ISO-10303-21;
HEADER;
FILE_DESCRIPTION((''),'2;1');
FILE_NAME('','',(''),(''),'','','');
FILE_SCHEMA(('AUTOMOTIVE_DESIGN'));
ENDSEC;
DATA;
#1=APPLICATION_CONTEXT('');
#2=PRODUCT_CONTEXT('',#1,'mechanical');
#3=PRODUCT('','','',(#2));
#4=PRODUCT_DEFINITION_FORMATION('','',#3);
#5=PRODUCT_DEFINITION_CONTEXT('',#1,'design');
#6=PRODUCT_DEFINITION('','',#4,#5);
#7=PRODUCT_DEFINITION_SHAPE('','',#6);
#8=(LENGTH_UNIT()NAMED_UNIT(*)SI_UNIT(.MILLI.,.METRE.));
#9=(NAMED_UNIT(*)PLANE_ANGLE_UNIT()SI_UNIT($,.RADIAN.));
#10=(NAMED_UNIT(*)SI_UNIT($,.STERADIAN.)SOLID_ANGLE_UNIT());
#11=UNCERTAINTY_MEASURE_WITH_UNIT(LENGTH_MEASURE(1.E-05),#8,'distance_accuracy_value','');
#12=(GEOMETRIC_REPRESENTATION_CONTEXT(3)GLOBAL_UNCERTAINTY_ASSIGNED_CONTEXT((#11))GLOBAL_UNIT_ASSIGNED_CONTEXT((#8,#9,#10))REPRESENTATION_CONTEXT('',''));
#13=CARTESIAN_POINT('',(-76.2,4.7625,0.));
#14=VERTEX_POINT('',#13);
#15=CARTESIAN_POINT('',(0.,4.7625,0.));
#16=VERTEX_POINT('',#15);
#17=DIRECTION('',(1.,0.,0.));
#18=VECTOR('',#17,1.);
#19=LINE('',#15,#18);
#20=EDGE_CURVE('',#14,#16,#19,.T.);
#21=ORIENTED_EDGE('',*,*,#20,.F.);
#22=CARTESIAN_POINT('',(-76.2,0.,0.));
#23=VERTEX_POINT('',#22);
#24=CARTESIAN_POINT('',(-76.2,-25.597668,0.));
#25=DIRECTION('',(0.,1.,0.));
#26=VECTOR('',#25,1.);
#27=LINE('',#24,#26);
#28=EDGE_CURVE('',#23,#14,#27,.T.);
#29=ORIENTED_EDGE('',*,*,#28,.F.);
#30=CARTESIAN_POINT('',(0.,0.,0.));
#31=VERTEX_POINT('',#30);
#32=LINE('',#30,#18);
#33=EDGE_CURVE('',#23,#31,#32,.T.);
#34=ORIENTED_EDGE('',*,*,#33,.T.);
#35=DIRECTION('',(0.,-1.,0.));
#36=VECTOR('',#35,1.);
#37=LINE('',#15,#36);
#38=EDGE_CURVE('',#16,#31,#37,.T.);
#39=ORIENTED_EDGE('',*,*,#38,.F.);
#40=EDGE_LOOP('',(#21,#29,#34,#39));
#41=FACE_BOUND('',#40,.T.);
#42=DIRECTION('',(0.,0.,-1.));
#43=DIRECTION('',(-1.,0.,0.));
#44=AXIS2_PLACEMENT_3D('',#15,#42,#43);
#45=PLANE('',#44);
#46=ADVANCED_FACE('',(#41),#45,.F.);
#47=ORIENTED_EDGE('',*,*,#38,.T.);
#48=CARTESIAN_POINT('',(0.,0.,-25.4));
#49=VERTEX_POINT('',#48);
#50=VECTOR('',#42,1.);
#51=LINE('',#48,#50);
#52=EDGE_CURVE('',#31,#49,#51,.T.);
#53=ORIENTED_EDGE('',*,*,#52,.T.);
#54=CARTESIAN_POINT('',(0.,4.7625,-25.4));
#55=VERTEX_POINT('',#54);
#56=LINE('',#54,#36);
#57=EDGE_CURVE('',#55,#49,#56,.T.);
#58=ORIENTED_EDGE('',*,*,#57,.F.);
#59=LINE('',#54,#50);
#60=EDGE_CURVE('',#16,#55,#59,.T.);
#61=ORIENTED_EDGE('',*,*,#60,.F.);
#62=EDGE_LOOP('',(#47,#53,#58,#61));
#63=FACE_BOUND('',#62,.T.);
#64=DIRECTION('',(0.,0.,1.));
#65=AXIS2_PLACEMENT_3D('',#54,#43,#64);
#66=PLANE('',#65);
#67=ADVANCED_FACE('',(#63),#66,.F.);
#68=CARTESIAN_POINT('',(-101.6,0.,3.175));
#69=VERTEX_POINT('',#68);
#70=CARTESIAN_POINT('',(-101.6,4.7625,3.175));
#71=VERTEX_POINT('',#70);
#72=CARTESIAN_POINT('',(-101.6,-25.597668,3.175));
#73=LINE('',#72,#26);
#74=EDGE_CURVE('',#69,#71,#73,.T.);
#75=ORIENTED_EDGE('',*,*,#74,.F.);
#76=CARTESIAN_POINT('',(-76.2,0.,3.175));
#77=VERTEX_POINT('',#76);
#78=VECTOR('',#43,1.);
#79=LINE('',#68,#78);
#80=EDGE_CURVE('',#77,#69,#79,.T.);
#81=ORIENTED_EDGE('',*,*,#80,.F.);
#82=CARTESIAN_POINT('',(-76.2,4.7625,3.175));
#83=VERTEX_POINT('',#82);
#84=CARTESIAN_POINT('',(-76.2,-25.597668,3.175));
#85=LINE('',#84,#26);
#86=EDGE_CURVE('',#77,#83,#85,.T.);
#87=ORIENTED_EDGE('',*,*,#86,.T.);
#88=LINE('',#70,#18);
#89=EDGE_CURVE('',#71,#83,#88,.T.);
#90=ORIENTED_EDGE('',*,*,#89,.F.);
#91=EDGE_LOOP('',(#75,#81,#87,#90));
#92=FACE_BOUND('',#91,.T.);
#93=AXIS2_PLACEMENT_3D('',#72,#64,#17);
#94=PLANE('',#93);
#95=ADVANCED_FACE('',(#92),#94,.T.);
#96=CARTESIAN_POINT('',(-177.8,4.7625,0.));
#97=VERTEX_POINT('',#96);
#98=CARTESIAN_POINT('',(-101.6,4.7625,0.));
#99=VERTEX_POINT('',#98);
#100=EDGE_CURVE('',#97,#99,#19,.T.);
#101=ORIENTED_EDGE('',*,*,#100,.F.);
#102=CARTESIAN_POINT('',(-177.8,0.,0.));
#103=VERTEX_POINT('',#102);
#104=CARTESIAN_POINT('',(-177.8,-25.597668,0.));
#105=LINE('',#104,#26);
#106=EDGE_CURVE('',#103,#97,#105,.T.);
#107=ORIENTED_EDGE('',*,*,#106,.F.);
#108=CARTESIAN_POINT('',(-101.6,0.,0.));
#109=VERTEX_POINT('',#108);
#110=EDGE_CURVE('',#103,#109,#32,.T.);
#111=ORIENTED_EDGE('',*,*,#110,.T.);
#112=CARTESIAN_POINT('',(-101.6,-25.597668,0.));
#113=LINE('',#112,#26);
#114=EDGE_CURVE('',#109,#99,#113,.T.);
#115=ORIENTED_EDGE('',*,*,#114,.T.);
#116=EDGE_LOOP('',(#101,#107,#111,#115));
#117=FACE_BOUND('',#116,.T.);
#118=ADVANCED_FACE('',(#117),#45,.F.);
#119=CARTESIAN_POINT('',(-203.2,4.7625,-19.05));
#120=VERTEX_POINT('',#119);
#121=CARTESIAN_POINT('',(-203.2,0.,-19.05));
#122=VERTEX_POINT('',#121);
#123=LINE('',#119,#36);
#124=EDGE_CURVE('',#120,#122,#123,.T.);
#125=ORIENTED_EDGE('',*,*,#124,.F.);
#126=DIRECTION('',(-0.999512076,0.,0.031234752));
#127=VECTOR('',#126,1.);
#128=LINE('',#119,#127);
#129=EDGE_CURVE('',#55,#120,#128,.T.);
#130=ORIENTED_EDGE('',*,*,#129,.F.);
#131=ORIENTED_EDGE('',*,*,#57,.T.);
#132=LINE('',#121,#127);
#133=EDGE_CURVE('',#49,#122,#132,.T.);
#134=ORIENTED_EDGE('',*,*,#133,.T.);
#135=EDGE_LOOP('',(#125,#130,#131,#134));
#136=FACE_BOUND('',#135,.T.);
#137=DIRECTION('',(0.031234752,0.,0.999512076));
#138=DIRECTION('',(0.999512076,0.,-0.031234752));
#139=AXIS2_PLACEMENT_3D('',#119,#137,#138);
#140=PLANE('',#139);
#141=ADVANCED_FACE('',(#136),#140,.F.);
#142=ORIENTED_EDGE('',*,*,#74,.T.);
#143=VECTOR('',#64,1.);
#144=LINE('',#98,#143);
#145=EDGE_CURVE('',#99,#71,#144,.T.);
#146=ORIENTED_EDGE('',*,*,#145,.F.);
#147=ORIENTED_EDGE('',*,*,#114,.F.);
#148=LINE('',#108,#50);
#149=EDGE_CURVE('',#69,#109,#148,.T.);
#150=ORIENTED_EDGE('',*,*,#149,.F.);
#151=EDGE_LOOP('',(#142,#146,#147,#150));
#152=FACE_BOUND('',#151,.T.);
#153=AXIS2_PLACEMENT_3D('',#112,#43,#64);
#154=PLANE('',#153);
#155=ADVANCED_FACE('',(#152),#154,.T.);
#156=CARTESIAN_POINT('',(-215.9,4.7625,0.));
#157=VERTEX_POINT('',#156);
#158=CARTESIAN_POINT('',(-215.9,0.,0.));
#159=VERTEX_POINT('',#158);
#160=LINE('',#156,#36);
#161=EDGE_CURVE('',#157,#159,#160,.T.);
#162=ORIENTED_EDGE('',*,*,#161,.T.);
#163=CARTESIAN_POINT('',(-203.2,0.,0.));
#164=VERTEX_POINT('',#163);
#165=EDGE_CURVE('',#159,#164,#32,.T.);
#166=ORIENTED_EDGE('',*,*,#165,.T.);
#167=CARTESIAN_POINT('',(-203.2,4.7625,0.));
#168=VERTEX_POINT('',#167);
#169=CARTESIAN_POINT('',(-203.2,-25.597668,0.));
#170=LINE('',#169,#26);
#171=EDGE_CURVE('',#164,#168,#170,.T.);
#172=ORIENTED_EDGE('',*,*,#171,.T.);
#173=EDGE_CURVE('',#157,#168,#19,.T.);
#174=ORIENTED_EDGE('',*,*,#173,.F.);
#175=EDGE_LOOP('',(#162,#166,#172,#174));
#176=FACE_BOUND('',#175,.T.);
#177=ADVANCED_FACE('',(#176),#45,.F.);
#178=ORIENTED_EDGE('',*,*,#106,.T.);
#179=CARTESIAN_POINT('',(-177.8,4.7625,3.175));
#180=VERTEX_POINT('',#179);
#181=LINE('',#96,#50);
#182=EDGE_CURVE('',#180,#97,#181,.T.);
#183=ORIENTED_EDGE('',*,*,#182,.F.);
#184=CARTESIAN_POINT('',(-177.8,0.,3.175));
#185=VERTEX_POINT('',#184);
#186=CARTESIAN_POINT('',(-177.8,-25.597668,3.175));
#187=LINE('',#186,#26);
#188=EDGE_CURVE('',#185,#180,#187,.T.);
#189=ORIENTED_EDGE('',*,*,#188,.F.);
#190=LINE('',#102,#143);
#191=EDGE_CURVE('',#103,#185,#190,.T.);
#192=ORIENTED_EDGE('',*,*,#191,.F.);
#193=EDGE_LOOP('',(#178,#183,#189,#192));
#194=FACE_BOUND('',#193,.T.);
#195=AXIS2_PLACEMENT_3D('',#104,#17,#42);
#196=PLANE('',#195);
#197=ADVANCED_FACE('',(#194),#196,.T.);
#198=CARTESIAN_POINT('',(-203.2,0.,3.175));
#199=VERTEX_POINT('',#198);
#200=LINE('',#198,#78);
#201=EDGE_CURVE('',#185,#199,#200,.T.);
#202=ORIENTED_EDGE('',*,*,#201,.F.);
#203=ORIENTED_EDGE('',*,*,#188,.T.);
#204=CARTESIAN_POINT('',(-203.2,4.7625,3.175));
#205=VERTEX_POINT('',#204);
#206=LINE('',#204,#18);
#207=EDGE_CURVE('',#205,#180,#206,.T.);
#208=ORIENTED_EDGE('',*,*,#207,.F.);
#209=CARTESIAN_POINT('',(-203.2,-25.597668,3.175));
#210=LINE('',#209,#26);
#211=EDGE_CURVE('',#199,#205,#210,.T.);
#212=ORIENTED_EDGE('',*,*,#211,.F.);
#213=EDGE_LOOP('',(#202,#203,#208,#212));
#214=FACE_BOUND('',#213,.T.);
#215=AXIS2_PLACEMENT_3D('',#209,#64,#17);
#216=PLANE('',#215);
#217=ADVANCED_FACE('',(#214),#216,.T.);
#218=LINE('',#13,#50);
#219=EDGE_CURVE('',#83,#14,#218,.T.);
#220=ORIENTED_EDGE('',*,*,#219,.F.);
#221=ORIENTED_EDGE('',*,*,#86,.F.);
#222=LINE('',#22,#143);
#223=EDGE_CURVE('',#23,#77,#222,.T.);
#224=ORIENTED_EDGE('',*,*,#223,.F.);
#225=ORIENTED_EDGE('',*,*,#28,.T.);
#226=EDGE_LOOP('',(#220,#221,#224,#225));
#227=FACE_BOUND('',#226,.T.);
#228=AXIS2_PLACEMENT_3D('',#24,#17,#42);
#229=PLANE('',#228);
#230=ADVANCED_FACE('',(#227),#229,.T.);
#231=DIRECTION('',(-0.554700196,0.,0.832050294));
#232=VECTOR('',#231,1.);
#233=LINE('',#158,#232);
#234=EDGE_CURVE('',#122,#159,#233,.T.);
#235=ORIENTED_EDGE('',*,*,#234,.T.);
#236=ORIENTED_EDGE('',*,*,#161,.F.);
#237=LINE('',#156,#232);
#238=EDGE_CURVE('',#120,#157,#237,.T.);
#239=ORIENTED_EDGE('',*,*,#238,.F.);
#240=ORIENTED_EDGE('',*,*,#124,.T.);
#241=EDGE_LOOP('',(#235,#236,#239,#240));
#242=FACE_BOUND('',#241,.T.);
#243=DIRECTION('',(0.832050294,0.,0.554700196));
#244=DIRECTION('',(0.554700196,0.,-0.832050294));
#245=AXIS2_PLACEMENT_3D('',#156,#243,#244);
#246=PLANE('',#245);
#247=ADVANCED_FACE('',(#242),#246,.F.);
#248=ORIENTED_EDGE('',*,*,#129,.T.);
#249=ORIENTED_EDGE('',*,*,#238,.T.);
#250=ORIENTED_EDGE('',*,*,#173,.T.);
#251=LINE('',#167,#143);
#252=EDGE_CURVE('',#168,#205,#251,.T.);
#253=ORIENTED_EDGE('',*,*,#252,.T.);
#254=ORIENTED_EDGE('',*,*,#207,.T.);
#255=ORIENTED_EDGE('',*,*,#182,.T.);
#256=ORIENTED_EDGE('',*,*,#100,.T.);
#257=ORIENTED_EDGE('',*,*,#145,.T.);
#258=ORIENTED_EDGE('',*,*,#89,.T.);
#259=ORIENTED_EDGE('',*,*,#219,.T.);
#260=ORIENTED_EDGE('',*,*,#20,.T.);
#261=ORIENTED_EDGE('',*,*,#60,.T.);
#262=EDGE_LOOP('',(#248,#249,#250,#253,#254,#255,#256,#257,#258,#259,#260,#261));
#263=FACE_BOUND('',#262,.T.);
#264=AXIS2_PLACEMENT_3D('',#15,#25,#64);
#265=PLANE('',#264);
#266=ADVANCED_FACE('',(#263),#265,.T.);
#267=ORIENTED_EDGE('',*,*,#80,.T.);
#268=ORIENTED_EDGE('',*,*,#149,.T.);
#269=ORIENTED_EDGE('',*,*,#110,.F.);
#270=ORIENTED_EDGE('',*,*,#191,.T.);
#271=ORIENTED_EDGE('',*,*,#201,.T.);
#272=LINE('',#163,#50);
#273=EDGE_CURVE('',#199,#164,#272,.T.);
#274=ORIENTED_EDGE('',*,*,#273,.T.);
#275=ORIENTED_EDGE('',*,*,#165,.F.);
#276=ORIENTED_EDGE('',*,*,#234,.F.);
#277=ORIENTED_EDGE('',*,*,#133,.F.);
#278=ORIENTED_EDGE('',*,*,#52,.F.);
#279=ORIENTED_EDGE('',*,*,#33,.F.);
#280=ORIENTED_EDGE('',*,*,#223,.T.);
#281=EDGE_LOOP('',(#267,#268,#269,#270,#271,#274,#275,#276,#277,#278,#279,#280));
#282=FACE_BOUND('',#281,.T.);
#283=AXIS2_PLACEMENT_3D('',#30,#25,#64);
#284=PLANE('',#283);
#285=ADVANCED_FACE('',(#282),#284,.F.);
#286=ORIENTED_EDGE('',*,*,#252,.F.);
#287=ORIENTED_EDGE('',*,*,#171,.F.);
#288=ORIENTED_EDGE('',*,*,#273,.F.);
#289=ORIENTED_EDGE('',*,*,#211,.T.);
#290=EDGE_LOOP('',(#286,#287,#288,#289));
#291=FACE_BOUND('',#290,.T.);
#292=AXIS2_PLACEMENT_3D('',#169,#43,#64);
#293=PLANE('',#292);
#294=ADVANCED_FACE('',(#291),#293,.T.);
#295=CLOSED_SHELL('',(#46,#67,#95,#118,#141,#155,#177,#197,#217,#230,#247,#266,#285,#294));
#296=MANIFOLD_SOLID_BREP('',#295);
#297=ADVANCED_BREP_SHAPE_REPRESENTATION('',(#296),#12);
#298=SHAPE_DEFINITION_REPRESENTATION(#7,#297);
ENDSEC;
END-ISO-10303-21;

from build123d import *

# Parameters (mm, degrees)
BOSS_EXTRUDE1_DEPTH = 4.7625
SKETCH2_W           = 25.4
SKETCH2_H           = 3.175
BOSS_EXTRUDE2_DEPTH = 4.7625


with BuildPart() as part:
    # Sketch1 → Boss-Extrude1 (new body)
    with BuildSketch(Plane(origin=(0, 0, 0), x_dir=(1, 0, 0), z_dir=(0, 1, 0))):
        Polygon((0, 0), (-215.9, 0), (-203.2, 19.05), (0, 25.4), align=None)
    extrude(amount=BOSS_EXTRUDE1_DEPTH)

    # Sketch2 → Boss-Extrude2 (add)
    with BuildSketch(Plane(origin=(0, 4.7625, 0), x_dir=(1, 0, 0), z_dir=(0, 1, 0))):
        with Locations((-190.5, -1.5875)):
            Rectangle(SKETCH2_W, SKETCH2_H)
        with Locations((-88.9, -1.5875)):
            Rectangle(SKETCH2_W, SKETCH2_H)
    extrude(amount=-BOSS_EXTRUDE2_DEPTH)


solid = part.part
